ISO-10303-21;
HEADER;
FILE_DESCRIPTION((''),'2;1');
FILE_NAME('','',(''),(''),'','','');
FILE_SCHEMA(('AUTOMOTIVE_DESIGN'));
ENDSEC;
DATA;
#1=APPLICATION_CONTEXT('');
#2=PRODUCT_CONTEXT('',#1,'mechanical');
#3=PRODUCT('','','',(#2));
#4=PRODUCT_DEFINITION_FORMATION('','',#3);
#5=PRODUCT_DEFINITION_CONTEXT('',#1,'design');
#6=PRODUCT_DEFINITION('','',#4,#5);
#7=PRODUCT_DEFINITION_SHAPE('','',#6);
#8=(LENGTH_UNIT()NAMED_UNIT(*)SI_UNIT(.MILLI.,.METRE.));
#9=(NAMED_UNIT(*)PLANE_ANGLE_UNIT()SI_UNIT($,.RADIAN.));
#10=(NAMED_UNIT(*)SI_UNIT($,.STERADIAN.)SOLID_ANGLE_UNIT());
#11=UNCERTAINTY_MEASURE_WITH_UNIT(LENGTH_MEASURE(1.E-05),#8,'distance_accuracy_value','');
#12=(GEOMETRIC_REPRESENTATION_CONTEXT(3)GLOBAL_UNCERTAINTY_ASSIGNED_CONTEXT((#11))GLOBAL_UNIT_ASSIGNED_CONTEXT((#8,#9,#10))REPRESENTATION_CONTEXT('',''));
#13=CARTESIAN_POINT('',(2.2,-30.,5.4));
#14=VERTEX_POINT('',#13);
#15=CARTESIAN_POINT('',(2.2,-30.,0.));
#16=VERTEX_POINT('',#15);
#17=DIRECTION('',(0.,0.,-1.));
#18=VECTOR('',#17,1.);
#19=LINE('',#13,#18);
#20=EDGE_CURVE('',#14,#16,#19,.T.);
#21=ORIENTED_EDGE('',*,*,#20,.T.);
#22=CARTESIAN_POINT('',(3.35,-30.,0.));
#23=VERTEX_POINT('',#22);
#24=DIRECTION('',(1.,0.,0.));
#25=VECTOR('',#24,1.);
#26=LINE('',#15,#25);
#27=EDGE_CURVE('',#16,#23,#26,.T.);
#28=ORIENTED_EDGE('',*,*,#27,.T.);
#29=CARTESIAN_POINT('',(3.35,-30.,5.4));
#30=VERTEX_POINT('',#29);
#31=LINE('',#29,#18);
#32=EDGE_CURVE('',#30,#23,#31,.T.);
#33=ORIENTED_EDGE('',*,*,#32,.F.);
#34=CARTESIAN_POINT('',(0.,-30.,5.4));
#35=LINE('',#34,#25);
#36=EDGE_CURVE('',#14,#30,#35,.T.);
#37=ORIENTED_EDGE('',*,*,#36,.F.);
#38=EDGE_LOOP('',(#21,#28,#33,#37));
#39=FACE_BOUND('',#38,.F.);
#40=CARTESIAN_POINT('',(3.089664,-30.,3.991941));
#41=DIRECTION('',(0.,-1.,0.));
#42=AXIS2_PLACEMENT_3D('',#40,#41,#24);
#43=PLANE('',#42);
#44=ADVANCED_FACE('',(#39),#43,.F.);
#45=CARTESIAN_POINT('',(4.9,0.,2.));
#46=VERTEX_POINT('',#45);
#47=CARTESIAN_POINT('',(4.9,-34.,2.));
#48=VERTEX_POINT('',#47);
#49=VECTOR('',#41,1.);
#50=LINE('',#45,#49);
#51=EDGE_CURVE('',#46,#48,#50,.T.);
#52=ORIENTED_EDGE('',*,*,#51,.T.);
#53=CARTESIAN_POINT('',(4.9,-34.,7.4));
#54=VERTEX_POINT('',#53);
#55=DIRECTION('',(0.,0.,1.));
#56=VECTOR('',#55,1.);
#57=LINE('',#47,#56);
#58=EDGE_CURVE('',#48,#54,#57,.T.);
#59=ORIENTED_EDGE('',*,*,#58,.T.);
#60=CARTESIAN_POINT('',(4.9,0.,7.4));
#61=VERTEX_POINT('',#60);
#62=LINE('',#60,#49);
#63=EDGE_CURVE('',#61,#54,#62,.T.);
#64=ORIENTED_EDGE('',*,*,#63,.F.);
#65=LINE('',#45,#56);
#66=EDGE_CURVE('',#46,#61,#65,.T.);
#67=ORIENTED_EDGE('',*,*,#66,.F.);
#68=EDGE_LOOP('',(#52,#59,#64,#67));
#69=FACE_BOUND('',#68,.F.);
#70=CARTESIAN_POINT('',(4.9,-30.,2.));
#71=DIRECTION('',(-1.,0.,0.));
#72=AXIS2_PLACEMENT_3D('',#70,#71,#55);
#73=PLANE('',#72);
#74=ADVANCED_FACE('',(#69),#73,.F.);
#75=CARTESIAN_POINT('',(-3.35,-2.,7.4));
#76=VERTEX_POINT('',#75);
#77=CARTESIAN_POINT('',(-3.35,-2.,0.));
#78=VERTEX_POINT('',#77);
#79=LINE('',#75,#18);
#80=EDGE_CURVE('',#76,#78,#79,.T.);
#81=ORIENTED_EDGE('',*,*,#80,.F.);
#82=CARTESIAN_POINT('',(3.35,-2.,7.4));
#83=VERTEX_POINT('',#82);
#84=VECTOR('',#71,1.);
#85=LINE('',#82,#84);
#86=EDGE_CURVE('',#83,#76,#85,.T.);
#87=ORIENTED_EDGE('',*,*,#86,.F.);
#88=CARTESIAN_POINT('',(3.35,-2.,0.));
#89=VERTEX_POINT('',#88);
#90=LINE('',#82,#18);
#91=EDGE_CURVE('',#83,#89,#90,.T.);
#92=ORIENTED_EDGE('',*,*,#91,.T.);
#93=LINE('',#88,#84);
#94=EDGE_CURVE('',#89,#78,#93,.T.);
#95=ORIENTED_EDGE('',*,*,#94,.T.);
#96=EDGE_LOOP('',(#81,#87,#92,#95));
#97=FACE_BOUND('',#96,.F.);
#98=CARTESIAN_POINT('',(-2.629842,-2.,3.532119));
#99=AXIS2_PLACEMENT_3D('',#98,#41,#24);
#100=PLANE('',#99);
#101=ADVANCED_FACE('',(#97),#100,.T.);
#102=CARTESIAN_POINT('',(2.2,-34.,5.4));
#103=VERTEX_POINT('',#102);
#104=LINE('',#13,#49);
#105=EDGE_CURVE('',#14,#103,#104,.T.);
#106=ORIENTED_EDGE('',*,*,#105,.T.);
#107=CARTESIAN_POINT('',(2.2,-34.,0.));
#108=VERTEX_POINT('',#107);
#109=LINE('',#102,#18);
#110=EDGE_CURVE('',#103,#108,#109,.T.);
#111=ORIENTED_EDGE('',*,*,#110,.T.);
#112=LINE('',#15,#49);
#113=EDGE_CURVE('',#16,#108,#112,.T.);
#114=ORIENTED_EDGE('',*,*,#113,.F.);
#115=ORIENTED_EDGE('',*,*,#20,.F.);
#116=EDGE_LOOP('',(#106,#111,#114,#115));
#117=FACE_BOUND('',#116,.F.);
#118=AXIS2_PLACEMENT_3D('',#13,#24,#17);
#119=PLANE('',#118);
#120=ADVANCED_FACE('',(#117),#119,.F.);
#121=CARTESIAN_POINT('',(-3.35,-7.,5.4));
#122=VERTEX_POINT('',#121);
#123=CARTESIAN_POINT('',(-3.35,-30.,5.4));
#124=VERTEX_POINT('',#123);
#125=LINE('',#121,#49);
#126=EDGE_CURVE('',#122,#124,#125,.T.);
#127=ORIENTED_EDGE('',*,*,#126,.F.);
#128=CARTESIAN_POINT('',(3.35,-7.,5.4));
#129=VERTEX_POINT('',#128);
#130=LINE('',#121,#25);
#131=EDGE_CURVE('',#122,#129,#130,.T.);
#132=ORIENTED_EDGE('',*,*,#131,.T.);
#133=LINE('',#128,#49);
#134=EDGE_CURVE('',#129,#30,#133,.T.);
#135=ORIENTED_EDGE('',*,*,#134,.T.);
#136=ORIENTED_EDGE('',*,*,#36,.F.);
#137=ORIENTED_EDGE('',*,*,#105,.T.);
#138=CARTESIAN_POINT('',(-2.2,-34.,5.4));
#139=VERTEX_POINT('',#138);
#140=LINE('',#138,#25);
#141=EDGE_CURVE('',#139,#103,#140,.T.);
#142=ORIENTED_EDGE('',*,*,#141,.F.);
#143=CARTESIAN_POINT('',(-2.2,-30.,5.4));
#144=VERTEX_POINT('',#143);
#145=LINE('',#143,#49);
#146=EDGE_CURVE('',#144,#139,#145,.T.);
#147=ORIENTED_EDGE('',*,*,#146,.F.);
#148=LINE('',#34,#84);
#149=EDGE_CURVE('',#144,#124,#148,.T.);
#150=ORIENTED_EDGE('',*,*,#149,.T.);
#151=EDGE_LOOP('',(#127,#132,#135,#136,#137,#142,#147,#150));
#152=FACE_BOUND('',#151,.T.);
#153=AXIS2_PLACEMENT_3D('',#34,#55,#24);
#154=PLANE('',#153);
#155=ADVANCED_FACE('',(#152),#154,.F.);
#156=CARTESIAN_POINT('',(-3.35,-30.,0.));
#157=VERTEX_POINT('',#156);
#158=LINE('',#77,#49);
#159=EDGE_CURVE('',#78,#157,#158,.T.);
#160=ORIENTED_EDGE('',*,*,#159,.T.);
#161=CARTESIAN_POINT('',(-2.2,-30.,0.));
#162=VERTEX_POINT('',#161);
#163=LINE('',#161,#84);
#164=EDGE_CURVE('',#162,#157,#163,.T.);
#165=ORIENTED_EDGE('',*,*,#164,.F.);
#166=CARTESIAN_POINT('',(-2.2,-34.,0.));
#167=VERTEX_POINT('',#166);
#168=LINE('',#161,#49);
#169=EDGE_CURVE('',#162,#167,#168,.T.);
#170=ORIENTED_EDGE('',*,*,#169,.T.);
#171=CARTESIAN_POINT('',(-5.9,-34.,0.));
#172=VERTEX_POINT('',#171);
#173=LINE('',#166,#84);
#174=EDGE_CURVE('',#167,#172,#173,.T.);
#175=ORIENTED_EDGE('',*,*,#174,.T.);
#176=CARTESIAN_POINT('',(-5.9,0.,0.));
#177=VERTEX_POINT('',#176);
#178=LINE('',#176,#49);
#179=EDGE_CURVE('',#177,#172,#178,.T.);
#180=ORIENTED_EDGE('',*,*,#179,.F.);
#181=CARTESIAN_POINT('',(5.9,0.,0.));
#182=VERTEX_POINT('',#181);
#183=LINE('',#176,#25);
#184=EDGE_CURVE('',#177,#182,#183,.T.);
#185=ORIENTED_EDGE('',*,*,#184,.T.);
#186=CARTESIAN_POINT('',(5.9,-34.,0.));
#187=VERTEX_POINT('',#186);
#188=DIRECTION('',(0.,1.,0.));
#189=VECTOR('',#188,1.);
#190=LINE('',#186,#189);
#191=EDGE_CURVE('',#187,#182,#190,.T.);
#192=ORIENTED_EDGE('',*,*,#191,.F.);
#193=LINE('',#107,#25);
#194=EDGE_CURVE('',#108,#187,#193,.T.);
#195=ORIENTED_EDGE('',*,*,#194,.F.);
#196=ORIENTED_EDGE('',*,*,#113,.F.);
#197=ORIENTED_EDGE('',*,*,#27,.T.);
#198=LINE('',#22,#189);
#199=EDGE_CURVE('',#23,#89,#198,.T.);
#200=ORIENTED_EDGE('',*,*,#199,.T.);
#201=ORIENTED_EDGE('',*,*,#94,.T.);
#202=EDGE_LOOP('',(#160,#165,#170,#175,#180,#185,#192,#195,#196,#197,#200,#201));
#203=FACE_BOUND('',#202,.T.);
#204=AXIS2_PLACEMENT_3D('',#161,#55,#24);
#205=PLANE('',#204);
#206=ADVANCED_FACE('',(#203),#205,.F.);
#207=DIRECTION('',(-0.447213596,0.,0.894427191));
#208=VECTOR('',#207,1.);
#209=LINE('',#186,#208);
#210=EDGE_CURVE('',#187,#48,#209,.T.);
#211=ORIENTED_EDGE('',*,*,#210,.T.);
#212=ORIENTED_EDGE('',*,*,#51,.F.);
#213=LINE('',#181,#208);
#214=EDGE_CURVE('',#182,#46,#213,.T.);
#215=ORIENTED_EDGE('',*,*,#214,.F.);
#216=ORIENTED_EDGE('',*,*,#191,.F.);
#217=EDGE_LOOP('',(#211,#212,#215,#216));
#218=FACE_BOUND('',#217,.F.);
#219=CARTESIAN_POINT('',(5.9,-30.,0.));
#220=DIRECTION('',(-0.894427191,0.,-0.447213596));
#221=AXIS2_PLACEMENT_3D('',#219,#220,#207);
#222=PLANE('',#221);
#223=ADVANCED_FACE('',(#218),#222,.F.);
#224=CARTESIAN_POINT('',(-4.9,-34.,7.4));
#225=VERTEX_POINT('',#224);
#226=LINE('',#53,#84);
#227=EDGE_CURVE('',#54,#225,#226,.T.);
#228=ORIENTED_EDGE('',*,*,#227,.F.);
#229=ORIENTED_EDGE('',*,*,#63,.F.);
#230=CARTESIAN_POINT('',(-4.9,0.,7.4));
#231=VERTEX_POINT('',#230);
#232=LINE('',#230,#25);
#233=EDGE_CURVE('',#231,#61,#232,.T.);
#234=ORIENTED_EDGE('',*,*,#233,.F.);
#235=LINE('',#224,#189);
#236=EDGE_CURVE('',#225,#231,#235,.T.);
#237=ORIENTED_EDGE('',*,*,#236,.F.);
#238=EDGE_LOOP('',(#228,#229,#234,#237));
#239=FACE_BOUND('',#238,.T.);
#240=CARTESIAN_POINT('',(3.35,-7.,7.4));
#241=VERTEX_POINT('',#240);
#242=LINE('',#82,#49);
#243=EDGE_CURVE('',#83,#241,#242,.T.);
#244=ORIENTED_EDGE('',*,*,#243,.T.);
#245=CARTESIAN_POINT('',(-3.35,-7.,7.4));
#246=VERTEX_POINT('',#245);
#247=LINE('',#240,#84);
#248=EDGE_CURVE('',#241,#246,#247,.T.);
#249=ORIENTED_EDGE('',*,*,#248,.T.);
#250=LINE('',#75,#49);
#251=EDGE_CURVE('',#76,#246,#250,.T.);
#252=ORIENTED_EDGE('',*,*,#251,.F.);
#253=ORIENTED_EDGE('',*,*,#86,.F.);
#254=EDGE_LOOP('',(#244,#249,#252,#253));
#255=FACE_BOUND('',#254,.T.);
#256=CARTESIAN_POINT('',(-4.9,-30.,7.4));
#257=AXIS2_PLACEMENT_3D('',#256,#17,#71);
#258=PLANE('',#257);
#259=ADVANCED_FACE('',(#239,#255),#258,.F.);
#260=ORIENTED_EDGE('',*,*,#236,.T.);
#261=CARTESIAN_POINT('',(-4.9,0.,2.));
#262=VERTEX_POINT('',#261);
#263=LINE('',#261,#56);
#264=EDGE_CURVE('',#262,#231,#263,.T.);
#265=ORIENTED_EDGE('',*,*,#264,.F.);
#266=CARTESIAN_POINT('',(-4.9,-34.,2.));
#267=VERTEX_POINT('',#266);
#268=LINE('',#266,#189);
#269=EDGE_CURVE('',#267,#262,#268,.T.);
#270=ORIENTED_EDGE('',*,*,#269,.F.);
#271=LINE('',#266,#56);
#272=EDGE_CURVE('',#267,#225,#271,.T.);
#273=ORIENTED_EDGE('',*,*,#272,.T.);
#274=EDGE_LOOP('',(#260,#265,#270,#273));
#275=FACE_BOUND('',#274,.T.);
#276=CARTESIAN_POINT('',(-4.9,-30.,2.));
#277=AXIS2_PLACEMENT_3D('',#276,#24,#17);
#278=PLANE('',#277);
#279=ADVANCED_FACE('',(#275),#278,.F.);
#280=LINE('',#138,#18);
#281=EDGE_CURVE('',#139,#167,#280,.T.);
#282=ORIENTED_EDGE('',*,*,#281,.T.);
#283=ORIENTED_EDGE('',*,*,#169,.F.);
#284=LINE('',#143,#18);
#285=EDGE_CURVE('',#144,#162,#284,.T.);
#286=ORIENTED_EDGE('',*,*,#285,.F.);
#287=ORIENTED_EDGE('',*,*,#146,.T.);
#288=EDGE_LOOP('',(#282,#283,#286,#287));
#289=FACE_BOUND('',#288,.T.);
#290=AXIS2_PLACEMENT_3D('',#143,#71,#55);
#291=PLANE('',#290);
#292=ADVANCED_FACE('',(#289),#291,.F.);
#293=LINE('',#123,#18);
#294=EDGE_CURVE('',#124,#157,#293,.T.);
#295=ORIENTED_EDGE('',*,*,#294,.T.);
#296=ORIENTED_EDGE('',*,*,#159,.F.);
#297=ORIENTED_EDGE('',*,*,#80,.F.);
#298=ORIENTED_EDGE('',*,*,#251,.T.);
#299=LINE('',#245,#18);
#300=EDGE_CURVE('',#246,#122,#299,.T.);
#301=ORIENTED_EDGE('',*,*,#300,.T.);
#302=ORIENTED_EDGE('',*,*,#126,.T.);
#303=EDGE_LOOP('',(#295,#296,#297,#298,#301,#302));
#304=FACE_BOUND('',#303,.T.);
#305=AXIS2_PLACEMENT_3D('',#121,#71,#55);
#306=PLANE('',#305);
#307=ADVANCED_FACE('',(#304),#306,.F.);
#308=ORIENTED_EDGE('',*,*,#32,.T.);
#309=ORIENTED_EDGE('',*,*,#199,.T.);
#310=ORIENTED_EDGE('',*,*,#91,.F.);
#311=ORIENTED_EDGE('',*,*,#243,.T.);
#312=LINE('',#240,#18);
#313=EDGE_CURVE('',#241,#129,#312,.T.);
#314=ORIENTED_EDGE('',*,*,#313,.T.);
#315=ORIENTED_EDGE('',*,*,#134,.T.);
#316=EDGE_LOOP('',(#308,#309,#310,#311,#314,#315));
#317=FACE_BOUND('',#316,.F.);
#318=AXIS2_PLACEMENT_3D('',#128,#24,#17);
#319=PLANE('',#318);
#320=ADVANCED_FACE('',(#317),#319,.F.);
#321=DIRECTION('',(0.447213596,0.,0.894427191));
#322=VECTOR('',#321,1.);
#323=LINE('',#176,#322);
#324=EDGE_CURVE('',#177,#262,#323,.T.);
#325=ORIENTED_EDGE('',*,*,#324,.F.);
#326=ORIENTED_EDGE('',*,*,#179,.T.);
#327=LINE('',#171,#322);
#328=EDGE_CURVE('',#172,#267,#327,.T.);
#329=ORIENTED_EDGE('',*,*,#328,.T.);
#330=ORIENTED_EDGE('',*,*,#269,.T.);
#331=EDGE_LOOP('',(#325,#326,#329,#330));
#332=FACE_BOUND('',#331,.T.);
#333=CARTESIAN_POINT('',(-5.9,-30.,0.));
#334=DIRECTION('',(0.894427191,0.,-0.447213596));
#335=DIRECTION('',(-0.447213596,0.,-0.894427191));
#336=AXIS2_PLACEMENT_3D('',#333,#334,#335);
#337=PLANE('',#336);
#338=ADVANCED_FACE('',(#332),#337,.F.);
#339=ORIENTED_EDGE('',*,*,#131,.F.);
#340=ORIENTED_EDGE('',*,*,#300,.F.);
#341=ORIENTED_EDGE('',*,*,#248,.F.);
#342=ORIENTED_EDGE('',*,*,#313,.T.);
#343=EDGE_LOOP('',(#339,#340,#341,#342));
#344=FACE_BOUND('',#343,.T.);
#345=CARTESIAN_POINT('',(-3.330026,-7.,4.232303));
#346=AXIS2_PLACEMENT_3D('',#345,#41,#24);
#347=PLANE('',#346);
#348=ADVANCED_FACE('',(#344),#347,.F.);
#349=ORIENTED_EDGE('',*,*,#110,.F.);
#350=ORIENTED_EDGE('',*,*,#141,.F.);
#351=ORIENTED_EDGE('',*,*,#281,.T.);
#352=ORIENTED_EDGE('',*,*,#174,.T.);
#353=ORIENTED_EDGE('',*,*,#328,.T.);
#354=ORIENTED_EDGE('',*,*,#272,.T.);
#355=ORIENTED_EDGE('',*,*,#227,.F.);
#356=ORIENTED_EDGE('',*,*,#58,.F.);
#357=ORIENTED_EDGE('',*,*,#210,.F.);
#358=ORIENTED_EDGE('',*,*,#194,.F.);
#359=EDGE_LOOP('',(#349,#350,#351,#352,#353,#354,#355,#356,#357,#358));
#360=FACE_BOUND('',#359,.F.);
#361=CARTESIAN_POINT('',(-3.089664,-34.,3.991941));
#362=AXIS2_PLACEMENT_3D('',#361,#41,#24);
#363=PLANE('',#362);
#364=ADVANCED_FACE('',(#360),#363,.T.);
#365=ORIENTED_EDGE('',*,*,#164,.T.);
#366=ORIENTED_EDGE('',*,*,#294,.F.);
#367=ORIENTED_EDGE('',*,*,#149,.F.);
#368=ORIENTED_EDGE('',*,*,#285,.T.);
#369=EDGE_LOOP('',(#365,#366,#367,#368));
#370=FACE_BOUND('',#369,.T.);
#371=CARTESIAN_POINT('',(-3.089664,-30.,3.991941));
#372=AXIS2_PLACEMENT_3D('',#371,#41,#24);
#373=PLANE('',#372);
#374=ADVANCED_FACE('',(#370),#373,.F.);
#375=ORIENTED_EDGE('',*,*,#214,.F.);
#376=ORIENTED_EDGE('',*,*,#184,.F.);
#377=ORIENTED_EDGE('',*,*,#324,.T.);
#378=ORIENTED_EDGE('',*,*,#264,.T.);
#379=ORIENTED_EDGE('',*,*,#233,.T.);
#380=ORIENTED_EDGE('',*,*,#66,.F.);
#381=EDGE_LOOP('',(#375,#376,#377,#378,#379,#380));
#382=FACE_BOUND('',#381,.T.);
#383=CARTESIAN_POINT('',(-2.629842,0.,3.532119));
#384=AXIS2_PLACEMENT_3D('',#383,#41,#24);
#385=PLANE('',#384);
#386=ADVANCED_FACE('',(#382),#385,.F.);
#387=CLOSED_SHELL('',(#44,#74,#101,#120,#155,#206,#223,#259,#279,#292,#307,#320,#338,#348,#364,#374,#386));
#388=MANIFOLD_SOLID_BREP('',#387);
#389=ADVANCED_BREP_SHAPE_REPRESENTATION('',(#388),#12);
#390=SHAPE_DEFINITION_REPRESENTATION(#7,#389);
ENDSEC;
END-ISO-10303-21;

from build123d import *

# Parameters (mm, degrees)
PAD_DEPTH    = 2
PAD001_DEPTH = 5
PAD002_DEPTH = 23
PAD003_DEPTH = 4


with BuildPart() as part:
    # Sketch → Pad (new body)
    with BuildSketch(Plane.XZ):
        Polygon((5.9, 0), (4.9, 2), (4.9, 7.4), (0, 7.4), (0, 0), align=None)
    pad = extrude(amount=PAD_DEPTH)

    # Sketch001 → Pad001 (join)
    with BuildSketch(Plane.XZ.offset(2)):
        Polygon((5.9, 0), (4.9, 2), (4.9, 7.4), (3.35, 7.4), (3.35, 0), align=None)
    pad001 = extrude(amount=PAD001_DEPTH)

    # Sketch002 → Pad002 (join)
    with BuildSketch(Plane.XZ.offset(7)):
        Polygon((5.9, 0), (4.9, 2), (4.9, 7.4), (0, 7.4), (0, 5.4), (3.35, 5.4), (3.35, 0), align=None)
    pad002 = extrude(amount=PAD002_DEPTH)

    # Sketch003 → Pad003 (join)
    with BuildSketch(Plane.XZ.offset(30)):
        Polygon((5.9, 0), (4.9, 2), (4.9, 7.4), (0, 7.4), (0, 5.4), (2.2, 5.4), (2.2, 0), (3.35, 0), align=None)
    pad003 = extrude(amount=PAD003_DEPTH)

    # Mirrored: Pad, Pad001, Pad002, Pad003 across Sketch V_Axis
    add(pad.mirror(Plane(origin=(0, 0, 0), x_dir=(0, -1, 0), z_dir=(1, 0, 0))))
    add(pad001.mirror(Plane(origin=(0, 0, 0), x_dir=(0, -1, 0), z_dir=(1, 0, 0))))
    add(pad002.mirror(Plane(origin=(0, 0, 0), x_dir=(0, -1, 0), z_dir=(1, 0, 0))))
    add(pad003.mirror(Plane(origin=(0, 0, 0), x_dir=(0, -1, 0), z_dir=(1, 0, 0))))


solid = part.part
